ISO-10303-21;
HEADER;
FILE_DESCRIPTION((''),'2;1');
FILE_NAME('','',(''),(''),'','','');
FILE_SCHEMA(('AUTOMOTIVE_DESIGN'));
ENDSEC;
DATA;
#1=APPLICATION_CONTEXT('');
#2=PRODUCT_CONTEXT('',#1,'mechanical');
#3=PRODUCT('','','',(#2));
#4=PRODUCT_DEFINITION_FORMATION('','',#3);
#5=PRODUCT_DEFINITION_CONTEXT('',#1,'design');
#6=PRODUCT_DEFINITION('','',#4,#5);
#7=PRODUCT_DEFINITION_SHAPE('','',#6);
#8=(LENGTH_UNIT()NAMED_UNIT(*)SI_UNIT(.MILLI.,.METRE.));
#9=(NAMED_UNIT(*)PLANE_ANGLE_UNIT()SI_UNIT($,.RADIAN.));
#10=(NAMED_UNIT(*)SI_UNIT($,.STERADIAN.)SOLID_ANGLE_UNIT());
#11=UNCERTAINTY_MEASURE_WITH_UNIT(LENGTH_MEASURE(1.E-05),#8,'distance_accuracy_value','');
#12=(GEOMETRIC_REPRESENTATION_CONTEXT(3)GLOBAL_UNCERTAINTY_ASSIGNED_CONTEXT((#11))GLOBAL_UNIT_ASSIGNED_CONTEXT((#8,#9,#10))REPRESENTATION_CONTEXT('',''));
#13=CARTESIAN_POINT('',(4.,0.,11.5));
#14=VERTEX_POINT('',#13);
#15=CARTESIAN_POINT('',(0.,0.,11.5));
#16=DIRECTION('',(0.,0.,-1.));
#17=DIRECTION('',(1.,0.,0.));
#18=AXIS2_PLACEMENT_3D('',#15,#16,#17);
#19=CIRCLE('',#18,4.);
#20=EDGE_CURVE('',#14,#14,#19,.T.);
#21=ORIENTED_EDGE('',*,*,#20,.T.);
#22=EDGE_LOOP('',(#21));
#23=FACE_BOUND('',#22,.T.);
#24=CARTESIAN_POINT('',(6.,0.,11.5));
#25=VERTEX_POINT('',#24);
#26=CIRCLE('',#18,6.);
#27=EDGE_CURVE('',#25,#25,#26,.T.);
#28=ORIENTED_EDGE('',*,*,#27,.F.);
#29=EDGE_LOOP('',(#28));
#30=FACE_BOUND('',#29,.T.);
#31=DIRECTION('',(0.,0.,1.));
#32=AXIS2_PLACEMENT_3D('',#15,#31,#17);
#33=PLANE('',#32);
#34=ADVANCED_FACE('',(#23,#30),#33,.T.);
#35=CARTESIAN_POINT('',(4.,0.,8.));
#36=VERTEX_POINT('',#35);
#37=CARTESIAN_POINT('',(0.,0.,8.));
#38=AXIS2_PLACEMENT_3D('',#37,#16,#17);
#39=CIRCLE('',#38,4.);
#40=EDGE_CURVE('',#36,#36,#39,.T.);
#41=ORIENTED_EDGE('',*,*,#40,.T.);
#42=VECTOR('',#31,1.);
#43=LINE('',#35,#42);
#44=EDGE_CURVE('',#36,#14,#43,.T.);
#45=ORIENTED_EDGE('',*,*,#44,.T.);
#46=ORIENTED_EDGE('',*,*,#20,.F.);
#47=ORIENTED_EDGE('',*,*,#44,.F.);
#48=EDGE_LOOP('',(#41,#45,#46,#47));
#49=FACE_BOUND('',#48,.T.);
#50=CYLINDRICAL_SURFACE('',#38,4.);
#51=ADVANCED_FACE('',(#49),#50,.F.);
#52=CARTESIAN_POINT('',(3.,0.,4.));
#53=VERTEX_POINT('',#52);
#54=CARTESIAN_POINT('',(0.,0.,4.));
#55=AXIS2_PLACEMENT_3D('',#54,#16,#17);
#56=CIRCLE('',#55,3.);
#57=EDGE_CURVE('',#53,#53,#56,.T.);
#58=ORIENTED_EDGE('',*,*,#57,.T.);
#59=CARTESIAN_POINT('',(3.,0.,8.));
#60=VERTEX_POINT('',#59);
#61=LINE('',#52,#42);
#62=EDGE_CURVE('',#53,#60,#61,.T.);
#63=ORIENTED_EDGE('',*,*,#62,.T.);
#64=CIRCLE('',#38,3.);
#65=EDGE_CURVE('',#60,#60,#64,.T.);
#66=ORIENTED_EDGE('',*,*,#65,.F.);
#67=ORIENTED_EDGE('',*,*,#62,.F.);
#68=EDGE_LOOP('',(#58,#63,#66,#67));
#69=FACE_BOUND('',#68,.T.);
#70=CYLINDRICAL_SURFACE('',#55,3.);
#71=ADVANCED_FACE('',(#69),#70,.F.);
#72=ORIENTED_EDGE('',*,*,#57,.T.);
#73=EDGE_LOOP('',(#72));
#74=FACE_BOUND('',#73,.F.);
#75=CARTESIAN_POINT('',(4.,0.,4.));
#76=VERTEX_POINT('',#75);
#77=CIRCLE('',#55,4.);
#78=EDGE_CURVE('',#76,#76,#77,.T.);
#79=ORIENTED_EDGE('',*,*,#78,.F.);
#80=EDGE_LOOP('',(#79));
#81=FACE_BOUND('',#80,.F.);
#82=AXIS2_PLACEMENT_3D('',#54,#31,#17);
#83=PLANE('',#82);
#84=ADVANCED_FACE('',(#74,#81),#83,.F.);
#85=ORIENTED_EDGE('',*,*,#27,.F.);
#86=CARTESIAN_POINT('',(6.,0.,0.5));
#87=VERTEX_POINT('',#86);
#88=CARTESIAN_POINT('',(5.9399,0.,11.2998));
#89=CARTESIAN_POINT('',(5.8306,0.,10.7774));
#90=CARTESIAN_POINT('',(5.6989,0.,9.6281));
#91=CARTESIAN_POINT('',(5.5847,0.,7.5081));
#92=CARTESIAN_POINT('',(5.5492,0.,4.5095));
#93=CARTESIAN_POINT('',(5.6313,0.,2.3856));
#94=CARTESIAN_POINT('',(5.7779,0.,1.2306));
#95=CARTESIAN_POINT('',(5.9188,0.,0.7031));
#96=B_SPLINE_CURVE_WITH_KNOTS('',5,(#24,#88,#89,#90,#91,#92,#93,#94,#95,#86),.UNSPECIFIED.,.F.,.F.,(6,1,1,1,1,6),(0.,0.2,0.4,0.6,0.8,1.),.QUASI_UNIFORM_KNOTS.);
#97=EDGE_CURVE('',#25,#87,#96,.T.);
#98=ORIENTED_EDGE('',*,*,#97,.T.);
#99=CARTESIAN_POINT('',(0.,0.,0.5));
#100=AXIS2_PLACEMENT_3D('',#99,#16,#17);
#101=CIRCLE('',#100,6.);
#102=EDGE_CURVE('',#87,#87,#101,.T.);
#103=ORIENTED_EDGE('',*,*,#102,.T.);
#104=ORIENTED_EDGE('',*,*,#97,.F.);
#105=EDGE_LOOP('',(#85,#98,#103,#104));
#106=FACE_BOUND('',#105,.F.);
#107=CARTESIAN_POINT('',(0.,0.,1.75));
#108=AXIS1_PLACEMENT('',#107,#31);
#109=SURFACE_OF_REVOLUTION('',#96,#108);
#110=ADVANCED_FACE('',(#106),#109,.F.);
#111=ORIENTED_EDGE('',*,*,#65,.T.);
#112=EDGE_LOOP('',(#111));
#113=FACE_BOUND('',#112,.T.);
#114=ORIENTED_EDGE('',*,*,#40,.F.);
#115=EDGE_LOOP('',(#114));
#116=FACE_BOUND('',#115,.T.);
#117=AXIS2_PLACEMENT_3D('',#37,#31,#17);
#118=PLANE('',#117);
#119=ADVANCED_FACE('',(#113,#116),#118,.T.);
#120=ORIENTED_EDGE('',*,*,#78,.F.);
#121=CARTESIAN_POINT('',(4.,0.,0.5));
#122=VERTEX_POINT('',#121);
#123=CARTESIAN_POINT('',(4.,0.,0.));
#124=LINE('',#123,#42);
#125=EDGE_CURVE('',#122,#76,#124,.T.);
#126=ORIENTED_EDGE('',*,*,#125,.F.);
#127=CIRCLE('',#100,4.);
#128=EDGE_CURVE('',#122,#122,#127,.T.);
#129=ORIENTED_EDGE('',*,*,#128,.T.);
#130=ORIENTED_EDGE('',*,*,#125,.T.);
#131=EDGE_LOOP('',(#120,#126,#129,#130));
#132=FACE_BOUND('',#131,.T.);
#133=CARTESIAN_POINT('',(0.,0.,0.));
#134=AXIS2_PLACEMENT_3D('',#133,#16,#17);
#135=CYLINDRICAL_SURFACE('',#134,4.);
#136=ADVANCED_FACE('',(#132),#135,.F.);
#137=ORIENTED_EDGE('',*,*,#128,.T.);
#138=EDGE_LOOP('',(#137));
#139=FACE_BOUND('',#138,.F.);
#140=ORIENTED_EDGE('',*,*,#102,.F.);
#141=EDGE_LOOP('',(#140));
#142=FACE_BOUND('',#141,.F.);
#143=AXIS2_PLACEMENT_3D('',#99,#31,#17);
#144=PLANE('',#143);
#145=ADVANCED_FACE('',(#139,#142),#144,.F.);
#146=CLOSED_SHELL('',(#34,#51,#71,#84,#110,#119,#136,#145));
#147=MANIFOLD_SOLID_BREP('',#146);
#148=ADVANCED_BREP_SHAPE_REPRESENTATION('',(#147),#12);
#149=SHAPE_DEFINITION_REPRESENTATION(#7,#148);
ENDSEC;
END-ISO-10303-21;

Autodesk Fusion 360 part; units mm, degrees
sketch "Sketch1" plane through (0, 0, 0) normal (0, 0, 1) x (1, 0, 0)
  circle A0 centre (0, 0) radius 4
  circle A1 centre (0, 0) radius 6
  circle A2 centre (0, 0) radius 3
  dimension "d1" = 8
  dimension "d2" = 12
  dimension "d3" = 6
extrude "Extrude1" add sketch "Sketch1" along normal blind 4 contours A1
extrude "Extrude2" add sketch "Sketch1" along normal blind 7.5 from surface at 4 contours A0 | A1
extrude "Extrude3" cut sketch "Sketch1" along normal blind 4 from surface at 8 contours A0
move_face "OffsetFaces1" offset -0.5 1 faces at (5.2961, -0.4968, 0)
sketch "Sketch2" plane through (0, 0, 0) normal (0, 1, 0) x (1, 0, 0)
  line L0 (6, -0.5) -> (6, -11.5)
  spline S0 degree 5 poles (6, -11.5) (5.9399, -11.2998) (5.8306, -10.7774) (5.6989, -9.6281) (5.5847, -7.5081) (5.5492, -4.5095) (5.6313, -2.3856) (5.7779, -1.2306) (5.9188, -0.7031) (6, -0.5) knots 0 0 0 0 0 0 0.2 0.4 0.6 0.8 1 1 1 1 1 1
  line L1 (5.8, -1) -> (6.2, 0)
  line L2 (6.15, -12) -> (5.85, -11)
  line L3 (6, -11.5) -> (6, -0.5)
revolve "Revolve1" cut sketch "Sketch2" angle 360 about axis through (0, 0, 1.75) along (0, 0, 1)
equation "d7 = 8 mm - 0.5 mm"
